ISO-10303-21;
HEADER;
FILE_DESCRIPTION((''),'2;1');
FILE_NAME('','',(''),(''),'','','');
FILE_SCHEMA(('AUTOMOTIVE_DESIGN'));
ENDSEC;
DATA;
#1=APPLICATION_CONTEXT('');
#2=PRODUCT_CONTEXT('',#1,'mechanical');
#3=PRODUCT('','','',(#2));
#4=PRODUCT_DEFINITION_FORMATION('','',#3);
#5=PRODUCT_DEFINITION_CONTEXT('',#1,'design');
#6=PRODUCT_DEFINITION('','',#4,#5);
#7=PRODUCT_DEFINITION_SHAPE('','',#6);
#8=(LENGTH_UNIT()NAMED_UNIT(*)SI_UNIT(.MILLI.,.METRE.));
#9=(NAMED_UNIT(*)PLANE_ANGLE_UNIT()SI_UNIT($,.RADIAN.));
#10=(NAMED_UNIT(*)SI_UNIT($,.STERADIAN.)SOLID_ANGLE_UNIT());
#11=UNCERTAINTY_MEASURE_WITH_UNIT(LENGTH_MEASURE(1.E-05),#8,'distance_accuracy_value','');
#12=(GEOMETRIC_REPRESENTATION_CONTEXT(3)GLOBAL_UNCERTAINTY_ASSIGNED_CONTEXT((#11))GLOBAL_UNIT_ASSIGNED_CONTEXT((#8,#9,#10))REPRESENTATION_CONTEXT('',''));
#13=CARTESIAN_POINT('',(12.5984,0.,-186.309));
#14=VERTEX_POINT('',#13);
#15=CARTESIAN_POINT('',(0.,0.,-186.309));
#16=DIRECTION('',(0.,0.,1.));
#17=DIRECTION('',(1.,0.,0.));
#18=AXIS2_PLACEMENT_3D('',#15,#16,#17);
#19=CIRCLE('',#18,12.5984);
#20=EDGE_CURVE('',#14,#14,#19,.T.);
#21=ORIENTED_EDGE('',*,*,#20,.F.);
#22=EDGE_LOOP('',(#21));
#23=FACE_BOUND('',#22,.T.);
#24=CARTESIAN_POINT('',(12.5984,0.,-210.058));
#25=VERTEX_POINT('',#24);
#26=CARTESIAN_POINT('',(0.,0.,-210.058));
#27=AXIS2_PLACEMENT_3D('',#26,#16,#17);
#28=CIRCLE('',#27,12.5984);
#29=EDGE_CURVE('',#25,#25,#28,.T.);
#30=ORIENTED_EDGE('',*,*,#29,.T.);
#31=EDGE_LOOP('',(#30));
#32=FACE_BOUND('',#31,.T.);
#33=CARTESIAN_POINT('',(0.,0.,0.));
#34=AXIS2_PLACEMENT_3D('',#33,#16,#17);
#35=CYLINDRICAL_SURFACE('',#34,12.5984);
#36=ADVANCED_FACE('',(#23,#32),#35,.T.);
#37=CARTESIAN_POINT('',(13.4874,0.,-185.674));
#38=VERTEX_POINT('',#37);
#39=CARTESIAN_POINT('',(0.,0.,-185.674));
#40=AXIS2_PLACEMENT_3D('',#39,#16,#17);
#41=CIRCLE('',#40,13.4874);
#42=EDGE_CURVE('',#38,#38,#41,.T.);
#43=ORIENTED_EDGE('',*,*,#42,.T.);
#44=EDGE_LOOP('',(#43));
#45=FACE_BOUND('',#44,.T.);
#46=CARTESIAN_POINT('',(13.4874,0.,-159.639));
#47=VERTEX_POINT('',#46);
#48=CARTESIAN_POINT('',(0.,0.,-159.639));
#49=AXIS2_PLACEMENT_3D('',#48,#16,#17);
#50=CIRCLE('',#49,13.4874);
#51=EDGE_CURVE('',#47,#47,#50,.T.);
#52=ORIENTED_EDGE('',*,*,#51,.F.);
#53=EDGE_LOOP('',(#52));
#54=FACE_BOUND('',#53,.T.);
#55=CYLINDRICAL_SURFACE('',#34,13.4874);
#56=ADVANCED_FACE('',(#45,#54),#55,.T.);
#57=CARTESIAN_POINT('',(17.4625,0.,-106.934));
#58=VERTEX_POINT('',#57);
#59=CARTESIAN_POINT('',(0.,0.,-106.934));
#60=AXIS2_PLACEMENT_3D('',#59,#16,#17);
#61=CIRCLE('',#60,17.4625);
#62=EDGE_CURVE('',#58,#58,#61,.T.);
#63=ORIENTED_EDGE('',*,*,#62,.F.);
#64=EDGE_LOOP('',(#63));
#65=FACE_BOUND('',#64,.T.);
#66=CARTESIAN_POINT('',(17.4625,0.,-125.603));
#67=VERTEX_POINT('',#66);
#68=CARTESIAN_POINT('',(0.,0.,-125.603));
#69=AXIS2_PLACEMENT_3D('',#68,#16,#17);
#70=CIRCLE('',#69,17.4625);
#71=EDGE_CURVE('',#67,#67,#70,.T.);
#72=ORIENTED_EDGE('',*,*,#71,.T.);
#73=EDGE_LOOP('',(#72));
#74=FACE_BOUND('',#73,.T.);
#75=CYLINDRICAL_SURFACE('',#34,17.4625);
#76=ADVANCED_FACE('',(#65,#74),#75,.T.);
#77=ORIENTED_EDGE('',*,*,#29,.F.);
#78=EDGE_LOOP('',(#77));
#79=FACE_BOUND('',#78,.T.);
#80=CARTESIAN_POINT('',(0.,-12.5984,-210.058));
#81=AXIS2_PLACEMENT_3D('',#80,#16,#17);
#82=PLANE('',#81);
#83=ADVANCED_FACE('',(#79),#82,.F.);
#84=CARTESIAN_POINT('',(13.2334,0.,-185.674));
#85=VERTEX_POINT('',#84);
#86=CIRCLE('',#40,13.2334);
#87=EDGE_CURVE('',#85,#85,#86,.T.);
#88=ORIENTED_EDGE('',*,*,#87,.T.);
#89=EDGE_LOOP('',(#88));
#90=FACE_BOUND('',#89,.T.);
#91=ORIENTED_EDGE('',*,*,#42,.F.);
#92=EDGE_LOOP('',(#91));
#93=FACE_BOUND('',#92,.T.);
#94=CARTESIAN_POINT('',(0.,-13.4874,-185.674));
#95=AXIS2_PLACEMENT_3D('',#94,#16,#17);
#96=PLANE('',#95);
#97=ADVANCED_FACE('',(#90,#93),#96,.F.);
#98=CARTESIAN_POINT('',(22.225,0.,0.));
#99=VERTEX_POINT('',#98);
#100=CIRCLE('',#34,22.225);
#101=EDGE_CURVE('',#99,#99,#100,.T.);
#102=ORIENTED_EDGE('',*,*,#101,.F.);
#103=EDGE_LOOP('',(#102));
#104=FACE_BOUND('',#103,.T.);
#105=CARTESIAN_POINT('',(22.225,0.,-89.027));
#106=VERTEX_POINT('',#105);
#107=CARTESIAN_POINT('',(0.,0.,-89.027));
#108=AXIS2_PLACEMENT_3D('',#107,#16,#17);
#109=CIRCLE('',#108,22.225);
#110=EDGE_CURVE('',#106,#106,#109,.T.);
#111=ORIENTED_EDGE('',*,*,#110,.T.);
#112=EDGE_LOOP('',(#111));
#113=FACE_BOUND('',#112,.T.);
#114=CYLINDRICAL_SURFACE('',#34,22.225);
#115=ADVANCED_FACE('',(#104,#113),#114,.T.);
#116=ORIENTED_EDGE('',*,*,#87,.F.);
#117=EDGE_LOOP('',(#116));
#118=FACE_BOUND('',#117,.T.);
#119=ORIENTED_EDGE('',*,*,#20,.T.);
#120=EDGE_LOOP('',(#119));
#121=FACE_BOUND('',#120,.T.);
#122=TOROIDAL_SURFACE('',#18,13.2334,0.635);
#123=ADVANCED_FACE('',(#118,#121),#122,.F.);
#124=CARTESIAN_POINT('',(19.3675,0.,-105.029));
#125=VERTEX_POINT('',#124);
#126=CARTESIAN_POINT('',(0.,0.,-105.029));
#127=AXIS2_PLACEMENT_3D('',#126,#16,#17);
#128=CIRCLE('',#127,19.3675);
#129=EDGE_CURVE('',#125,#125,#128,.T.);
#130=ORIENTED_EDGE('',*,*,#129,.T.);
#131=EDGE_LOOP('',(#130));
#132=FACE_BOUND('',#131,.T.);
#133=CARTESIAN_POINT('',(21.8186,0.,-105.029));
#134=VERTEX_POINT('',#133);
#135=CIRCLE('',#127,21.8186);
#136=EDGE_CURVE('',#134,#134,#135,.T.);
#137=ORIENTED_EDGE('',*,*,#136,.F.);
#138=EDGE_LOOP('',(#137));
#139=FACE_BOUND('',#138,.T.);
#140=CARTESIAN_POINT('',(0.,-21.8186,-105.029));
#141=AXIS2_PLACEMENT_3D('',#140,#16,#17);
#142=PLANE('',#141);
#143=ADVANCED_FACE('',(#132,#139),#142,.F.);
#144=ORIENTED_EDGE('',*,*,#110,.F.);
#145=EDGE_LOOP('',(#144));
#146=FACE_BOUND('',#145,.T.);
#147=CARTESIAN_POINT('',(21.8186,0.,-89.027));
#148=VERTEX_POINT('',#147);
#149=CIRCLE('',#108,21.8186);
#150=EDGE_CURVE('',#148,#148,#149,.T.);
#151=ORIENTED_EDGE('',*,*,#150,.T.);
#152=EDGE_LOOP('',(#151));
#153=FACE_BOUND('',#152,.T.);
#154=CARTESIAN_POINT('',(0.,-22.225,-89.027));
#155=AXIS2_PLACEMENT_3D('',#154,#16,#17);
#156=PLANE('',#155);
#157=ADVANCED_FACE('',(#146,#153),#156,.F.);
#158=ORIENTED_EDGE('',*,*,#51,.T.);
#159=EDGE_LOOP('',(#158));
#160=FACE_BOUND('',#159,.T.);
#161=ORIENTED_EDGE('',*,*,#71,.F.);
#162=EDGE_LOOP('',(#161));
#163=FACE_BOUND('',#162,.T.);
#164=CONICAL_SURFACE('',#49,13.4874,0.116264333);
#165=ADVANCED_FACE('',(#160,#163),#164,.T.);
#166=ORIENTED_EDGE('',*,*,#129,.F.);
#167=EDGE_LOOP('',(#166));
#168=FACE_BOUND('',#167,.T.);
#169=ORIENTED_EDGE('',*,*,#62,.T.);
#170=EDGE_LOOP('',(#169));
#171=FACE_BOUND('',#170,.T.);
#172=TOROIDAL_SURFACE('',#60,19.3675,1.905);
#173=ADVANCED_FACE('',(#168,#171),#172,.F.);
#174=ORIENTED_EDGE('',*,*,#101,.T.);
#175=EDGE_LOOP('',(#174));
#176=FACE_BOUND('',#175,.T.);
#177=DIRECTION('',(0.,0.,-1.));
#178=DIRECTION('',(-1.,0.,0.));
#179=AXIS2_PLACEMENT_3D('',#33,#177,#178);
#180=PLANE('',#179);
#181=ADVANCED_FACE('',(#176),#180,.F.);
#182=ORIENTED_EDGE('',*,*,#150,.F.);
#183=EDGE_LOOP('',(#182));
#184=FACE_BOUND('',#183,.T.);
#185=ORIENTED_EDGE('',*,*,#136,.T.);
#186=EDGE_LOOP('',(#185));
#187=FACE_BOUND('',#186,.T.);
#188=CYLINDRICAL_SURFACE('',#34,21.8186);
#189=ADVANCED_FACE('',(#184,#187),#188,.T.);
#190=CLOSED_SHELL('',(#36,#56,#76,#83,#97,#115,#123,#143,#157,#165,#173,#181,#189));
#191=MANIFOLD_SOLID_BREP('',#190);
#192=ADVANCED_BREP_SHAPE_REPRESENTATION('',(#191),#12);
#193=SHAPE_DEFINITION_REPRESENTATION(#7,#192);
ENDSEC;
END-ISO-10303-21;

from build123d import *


with BuildPart() as part:
    # Sketch1 → Revolve1 (revolve)
    with BuildSketch(Plane(origin=(0, 0, 0), x_dir=(0, 0, -1), z_dir=(1, 0, 0)), mode=Mode.PRIVATE) as revolve1_sk:
        with BuildLine():
            Line((0, 0), (0, 22.225))
            Line((0, 22.225), (89.027, 22.225))
            Line((89.027, 22.225), (89.027, 21.8186))
            Line((89.027, 21.8186), (105.029, 21.8186))
            Line((105.029, 21.8186), (105.029, 19.3675))
            ThreePointArc((105.029, 19.3675), (105.586961582, 18.020461582), (106.934, 17.4625))
            Line((106.934, 17.4625), (125.603, 17.4625))
            Line((125.603, 17.4625), (159.639, 13.4874))
            Line((159.639, 13.4874), (185.674, 13.4874))
            Line((185.674, 13.4874), (185.674, 13.2334))
            ThreePointArc((185.674, 13.2334), (185.859987194, 12.784387194), (186.309, 12.5984))
            Line((186.309, 12.5984), (188.214, 12.5984))
            Line((188.214, 12.5984), (210.058, 12.5984))
            Line((210.058, 12.5984), (210.058, 0))
            Line((210.058, 0), (0, 0))
        make_face()
    revolve(revolve1_sk.sketch.rotate(Axis((0, 0, 0), (0, 0, -1)), 90), axis=Axis((0, 0, 0), (0, 0, -1)))


solid = part.part
